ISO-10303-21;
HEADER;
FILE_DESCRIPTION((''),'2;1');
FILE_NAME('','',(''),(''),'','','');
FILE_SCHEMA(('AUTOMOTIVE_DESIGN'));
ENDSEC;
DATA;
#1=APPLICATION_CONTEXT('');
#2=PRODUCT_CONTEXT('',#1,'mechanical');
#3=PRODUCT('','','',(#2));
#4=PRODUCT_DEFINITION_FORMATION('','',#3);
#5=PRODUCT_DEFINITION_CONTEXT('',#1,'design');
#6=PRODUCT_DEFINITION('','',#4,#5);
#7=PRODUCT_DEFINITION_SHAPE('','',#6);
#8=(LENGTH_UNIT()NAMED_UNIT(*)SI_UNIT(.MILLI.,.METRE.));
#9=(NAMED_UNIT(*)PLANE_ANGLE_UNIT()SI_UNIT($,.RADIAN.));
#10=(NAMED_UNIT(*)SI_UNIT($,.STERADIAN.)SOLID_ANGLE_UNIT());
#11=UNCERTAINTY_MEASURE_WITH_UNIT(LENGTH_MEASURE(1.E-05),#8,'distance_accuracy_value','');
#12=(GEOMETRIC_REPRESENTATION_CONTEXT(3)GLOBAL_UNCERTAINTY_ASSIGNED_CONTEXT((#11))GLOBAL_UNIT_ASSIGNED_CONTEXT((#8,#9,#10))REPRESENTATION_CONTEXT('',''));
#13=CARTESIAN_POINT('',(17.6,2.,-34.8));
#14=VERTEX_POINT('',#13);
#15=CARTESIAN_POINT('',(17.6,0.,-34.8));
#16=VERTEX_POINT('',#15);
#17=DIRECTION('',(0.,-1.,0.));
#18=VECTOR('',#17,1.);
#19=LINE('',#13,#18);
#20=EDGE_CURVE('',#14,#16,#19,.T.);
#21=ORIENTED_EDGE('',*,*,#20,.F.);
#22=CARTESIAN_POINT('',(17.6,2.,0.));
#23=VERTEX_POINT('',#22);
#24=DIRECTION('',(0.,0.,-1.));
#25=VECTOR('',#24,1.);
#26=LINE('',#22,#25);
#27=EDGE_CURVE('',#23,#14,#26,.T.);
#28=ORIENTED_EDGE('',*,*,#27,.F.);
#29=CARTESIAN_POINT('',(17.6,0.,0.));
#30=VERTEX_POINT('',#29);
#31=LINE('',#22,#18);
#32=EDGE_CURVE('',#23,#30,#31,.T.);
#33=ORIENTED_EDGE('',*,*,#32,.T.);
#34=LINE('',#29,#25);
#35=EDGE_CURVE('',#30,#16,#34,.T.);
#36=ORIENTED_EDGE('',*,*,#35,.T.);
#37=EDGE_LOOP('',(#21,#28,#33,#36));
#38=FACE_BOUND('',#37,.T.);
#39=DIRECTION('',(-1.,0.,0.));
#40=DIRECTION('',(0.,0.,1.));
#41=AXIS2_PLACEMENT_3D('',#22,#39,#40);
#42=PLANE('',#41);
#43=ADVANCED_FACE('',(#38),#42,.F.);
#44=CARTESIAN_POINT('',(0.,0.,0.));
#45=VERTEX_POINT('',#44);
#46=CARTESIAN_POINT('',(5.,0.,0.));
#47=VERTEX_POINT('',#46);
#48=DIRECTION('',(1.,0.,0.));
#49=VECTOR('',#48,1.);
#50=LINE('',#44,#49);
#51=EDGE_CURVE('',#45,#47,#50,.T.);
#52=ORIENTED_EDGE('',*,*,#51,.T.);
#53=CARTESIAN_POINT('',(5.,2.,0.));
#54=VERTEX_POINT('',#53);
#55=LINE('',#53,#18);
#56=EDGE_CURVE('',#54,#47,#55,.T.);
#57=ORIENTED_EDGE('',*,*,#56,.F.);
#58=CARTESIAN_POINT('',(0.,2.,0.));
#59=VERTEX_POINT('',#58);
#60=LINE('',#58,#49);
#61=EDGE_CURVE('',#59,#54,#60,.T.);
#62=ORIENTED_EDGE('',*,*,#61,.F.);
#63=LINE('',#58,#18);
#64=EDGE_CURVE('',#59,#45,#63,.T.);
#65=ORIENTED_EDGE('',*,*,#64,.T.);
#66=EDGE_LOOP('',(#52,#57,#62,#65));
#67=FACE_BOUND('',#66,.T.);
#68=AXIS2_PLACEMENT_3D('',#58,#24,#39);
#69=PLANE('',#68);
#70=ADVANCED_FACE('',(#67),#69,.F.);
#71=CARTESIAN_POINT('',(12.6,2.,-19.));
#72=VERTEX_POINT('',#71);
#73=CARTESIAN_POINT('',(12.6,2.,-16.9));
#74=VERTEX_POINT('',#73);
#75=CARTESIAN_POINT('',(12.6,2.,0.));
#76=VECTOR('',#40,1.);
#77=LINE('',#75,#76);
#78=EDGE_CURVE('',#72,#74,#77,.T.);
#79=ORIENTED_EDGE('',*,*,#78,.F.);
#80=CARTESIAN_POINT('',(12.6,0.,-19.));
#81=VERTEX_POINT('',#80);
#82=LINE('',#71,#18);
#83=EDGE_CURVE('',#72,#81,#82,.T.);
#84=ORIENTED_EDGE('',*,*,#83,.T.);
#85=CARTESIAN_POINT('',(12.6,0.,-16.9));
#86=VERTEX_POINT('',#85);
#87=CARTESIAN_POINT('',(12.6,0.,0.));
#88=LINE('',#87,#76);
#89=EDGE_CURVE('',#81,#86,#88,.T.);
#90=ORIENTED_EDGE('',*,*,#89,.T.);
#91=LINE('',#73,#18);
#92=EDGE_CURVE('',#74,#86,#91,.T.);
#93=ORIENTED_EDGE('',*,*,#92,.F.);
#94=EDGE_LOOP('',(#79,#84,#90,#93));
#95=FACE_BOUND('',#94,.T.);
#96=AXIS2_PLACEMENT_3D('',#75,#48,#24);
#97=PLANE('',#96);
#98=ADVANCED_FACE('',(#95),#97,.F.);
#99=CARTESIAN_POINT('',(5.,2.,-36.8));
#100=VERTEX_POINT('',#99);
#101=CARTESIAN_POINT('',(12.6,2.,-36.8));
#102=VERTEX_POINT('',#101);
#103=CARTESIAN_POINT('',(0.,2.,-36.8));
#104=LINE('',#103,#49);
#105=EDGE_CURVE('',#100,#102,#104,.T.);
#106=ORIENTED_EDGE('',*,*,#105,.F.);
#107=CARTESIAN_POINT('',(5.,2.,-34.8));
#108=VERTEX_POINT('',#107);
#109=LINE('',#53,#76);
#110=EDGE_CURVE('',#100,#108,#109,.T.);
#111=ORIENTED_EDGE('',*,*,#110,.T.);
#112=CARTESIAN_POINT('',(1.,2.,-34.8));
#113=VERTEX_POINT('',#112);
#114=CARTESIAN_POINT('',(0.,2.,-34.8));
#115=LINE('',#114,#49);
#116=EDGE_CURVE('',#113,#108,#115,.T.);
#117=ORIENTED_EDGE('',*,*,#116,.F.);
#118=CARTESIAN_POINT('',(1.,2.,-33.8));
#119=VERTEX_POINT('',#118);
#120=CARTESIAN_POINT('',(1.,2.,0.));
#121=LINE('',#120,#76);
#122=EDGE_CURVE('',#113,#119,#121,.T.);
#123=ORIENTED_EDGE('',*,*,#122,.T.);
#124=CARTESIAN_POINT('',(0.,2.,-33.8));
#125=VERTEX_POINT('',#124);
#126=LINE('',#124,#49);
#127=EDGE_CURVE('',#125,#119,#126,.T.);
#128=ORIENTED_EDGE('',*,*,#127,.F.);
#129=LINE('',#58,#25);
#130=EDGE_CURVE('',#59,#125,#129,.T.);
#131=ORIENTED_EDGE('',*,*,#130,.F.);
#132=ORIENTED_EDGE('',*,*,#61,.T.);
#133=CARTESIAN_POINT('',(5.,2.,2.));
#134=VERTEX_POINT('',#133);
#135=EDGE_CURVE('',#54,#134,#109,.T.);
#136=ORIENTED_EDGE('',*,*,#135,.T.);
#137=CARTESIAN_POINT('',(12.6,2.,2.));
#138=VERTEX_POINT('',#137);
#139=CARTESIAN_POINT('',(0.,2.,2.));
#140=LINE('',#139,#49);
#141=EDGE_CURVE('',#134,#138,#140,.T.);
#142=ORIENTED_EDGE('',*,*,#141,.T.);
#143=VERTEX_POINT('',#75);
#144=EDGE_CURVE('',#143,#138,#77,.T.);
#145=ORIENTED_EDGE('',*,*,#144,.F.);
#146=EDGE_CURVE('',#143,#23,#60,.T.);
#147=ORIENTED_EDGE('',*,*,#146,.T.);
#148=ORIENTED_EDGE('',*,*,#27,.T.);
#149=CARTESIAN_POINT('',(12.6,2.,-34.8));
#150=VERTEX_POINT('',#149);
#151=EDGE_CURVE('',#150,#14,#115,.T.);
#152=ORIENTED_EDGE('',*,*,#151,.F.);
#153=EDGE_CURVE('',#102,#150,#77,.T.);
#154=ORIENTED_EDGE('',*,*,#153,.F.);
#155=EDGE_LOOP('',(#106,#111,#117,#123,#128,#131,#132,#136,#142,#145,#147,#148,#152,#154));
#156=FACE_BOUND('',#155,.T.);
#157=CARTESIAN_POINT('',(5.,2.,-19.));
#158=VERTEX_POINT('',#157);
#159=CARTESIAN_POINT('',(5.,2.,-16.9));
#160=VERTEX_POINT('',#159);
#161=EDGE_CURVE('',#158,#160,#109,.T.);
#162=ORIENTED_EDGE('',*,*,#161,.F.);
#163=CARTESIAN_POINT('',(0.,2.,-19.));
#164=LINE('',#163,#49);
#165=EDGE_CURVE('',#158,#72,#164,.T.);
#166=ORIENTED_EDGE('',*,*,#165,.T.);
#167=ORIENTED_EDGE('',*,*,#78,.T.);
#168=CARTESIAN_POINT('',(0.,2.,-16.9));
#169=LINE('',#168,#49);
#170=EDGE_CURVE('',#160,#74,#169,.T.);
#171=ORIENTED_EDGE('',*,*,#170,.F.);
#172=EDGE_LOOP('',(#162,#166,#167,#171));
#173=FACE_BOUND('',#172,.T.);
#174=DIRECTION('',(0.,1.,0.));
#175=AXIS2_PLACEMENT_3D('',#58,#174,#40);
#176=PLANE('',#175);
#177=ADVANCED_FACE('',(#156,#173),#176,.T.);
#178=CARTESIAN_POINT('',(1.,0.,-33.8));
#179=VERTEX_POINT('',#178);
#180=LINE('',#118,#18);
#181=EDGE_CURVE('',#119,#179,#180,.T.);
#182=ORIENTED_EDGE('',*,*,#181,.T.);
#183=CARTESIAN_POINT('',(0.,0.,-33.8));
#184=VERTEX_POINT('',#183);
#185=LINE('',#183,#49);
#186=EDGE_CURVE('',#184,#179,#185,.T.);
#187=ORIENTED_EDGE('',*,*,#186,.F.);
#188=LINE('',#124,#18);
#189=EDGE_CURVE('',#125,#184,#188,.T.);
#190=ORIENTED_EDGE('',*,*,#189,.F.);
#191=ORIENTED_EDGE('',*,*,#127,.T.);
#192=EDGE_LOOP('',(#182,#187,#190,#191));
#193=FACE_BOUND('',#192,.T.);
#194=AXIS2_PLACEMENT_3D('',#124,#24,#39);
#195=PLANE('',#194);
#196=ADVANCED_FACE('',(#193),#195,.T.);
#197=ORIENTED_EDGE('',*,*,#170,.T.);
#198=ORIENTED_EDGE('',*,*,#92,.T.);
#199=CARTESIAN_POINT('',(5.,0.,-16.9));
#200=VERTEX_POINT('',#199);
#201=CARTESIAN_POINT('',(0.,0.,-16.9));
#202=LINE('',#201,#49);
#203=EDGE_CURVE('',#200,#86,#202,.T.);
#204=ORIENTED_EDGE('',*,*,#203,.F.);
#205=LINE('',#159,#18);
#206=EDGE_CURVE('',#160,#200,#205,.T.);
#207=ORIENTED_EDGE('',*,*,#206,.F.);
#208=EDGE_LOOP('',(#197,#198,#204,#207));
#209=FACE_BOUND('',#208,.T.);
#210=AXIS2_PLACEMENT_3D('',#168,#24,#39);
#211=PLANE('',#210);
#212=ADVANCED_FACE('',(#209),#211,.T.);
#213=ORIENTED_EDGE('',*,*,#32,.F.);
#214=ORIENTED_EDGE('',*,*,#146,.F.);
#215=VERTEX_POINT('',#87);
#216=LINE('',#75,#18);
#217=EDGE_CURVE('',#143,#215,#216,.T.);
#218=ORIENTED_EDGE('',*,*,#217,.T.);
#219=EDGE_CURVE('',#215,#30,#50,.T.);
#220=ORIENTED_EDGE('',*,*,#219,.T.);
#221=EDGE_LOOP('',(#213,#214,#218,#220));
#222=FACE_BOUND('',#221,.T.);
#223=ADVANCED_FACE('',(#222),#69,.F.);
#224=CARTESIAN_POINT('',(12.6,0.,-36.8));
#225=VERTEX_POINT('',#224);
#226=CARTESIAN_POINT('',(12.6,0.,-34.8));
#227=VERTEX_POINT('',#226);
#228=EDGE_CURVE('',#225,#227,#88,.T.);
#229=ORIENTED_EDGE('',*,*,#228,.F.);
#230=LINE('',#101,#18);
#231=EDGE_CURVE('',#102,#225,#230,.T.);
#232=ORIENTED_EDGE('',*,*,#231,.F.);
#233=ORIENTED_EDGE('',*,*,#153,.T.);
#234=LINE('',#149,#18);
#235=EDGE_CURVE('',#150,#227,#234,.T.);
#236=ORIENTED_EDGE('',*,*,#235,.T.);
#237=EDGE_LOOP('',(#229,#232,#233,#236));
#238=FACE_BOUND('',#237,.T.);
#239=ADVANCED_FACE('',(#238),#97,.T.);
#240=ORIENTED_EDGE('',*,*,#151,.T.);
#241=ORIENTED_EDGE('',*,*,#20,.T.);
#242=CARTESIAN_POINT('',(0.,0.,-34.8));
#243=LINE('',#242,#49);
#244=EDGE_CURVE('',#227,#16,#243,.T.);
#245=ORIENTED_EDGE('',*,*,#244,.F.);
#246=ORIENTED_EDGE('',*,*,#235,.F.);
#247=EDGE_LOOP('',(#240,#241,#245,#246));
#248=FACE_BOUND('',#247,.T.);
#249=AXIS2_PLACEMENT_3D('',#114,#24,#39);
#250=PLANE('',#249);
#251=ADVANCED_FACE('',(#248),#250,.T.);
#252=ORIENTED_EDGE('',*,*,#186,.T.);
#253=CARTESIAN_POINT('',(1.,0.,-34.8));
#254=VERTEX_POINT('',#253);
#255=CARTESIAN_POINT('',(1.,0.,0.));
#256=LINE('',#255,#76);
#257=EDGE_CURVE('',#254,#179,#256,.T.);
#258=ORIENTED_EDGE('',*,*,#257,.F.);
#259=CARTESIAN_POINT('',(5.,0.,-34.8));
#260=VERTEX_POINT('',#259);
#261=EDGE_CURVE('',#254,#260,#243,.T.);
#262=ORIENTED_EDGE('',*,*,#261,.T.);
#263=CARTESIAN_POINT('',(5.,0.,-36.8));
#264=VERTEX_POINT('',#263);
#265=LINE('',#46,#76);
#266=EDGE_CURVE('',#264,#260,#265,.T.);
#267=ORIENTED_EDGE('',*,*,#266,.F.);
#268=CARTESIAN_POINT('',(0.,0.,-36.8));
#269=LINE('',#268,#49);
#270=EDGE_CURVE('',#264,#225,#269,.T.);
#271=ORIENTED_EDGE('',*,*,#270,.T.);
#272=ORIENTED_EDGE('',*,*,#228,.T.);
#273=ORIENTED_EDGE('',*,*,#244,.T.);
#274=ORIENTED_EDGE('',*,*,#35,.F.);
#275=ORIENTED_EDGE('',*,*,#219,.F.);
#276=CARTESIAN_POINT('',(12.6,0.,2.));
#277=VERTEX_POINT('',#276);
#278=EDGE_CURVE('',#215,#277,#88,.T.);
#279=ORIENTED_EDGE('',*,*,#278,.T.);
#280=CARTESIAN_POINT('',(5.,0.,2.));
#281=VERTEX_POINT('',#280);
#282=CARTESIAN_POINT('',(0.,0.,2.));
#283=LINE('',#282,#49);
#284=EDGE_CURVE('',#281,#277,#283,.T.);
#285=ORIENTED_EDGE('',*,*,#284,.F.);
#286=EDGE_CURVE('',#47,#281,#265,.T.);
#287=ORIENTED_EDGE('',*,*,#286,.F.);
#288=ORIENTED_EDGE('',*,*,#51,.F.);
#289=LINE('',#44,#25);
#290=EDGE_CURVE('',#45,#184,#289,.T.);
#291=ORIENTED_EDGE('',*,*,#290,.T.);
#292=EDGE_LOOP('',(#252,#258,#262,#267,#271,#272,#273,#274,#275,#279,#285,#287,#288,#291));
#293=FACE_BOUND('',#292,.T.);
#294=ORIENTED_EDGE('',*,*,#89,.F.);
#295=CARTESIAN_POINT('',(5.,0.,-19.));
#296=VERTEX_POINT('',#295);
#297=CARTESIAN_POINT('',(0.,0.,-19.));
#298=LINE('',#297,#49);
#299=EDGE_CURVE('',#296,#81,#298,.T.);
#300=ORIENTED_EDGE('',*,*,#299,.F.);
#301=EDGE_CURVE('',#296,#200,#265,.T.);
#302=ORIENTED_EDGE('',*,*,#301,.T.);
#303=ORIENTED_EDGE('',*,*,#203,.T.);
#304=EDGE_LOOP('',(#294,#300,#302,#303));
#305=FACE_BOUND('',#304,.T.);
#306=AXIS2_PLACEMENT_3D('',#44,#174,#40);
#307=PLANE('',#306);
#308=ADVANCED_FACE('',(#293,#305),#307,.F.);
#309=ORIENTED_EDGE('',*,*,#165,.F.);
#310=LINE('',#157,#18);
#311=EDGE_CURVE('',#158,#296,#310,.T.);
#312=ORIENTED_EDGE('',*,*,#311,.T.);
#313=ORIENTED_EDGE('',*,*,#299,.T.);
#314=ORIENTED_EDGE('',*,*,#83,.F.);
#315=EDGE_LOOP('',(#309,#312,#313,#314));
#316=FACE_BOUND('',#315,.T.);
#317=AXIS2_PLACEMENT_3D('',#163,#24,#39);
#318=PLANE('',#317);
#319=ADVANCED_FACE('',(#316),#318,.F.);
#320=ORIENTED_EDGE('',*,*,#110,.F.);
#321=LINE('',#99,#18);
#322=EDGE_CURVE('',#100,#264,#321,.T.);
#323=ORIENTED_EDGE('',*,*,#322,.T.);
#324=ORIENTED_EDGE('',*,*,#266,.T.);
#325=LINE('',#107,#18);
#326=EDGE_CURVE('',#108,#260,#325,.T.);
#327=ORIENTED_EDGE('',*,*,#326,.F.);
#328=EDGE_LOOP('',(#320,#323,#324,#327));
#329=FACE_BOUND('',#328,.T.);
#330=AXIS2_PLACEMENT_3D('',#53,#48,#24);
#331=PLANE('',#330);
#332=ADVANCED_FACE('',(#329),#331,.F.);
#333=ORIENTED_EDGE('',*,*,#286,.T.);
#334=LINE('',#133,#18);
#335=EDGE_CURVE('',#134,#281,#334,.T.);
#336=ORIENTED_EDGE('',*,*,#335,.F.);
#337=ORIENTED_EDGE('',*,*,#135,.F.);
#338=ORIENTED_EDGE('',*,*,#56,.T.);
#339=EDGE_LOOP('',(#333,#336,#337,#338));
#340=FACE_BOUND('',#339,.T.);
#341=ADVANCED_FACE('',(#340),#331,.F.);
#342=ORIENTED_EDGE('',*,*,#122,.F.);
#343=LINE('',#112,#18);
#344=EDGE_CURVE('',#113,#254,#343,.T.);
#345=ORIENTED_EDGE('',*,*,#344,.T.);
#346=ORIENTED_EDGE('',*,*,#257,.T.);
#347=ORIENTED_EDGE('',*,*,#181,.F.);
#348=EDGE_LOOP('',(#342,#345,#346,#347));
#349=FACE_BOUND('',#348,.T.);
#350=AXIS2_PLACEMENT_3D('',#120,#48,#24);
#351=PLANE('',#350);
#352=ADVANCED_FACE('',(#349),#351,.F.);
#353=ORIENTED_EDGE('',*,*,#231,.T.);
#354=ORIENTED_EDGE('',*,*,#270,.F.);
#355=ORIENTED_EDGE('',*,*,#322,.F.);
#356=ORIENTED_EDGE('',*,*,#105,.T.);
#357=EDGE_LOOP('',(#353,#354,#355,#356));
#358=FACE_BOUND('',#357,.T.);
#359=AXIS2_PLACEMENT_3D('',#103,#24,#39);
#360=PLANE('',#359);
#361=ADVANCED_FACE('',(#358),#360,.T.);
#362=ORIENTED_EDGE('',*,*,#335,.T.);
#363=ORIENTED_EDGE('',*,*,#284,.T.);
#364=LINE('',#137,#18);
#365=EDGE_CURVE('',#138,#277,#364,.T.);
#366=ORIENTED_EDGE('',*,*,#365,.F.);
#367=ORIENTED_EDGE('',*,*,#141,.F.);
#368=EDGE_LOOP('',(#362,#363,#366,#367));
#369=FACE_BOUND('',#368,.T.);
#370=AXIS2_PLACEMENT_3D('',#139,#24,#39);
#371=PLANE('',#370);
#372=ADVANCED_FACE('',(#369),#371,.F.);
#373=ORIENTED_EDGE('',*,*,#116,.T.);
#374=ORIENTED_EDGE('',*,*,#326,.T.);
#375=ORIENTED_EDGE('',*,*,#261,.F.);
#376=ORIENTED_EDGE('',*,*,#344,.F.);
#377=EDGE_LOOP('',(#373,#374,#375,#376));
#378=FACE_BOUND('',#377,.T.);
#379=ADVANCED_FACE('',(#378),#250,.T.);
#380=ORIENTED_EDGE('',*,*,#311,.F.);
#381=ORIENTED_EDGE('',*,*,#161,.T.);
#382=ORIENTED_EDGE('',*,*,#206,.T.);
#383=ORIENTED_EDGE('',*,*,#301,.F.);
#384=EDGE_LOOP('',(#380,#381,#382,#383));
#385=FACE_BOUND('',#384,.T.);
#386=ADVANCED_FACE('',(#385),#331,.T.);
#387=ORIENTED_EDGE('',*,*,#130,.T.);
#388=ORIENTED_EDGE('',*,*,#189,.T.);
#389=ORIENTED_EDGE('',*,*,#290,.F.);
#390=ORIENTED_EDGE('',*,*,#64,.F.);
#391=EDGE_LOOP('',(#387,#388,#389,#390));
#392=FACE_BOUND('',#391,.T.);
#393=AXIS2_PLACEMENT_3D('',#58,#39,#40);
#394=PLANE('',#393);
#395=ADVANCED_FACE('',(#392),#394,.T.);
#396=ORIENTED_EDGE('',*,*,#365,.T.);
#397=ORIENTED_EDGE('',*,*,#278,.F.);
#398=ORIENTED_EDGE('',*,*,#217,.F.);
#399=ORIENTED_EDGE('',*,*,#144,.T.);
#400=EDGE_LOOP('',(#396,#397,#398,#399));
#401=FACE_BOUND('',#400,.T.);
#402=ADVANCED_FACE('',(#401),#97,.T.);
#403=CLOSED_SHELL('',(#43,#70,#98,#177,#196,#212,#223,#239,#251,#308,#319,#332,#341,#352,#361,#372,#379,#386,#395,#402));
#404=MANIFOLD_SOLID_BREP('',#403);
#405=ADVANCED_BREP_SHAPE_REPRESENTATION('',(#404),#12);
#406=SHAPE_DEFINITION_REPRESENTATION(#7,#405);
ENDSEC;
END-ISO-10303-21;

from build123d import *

# Parameters (mm, degrees)
SKETCH_1_W      = 7.6
SKETCH_1_H      = 2.1
EXTRUDE_1_DEPTH = 2


with BuildPart() as part:
    # 草图1 → 凸台-拉伸1 (new body)
    with BuildSketch(Plane(origin=(0, 0, 0), x_dir=(1, 0, 0), z_dir=(0, 1, 0))):
        Polygon((0, 33.8), (0, 0), (5, 0), (5, -2), (12.6, -2), (12.6, 0), (17.6, 0), (17.6, 34.8), (12.6, 34.8), (12.6, 36.8), (5, 36.8), (5, 34.8), (1, 34.8), (1, 33.8), align=None)
        with Locations((8.8, 17.95)):
            Rectangle(SKETCH_1_W, SKETCH_1_H, mode=Mode.SUBTRACT)
    extrude(amount=EXTRUDE_1_DEPTH)


solid = part.part
